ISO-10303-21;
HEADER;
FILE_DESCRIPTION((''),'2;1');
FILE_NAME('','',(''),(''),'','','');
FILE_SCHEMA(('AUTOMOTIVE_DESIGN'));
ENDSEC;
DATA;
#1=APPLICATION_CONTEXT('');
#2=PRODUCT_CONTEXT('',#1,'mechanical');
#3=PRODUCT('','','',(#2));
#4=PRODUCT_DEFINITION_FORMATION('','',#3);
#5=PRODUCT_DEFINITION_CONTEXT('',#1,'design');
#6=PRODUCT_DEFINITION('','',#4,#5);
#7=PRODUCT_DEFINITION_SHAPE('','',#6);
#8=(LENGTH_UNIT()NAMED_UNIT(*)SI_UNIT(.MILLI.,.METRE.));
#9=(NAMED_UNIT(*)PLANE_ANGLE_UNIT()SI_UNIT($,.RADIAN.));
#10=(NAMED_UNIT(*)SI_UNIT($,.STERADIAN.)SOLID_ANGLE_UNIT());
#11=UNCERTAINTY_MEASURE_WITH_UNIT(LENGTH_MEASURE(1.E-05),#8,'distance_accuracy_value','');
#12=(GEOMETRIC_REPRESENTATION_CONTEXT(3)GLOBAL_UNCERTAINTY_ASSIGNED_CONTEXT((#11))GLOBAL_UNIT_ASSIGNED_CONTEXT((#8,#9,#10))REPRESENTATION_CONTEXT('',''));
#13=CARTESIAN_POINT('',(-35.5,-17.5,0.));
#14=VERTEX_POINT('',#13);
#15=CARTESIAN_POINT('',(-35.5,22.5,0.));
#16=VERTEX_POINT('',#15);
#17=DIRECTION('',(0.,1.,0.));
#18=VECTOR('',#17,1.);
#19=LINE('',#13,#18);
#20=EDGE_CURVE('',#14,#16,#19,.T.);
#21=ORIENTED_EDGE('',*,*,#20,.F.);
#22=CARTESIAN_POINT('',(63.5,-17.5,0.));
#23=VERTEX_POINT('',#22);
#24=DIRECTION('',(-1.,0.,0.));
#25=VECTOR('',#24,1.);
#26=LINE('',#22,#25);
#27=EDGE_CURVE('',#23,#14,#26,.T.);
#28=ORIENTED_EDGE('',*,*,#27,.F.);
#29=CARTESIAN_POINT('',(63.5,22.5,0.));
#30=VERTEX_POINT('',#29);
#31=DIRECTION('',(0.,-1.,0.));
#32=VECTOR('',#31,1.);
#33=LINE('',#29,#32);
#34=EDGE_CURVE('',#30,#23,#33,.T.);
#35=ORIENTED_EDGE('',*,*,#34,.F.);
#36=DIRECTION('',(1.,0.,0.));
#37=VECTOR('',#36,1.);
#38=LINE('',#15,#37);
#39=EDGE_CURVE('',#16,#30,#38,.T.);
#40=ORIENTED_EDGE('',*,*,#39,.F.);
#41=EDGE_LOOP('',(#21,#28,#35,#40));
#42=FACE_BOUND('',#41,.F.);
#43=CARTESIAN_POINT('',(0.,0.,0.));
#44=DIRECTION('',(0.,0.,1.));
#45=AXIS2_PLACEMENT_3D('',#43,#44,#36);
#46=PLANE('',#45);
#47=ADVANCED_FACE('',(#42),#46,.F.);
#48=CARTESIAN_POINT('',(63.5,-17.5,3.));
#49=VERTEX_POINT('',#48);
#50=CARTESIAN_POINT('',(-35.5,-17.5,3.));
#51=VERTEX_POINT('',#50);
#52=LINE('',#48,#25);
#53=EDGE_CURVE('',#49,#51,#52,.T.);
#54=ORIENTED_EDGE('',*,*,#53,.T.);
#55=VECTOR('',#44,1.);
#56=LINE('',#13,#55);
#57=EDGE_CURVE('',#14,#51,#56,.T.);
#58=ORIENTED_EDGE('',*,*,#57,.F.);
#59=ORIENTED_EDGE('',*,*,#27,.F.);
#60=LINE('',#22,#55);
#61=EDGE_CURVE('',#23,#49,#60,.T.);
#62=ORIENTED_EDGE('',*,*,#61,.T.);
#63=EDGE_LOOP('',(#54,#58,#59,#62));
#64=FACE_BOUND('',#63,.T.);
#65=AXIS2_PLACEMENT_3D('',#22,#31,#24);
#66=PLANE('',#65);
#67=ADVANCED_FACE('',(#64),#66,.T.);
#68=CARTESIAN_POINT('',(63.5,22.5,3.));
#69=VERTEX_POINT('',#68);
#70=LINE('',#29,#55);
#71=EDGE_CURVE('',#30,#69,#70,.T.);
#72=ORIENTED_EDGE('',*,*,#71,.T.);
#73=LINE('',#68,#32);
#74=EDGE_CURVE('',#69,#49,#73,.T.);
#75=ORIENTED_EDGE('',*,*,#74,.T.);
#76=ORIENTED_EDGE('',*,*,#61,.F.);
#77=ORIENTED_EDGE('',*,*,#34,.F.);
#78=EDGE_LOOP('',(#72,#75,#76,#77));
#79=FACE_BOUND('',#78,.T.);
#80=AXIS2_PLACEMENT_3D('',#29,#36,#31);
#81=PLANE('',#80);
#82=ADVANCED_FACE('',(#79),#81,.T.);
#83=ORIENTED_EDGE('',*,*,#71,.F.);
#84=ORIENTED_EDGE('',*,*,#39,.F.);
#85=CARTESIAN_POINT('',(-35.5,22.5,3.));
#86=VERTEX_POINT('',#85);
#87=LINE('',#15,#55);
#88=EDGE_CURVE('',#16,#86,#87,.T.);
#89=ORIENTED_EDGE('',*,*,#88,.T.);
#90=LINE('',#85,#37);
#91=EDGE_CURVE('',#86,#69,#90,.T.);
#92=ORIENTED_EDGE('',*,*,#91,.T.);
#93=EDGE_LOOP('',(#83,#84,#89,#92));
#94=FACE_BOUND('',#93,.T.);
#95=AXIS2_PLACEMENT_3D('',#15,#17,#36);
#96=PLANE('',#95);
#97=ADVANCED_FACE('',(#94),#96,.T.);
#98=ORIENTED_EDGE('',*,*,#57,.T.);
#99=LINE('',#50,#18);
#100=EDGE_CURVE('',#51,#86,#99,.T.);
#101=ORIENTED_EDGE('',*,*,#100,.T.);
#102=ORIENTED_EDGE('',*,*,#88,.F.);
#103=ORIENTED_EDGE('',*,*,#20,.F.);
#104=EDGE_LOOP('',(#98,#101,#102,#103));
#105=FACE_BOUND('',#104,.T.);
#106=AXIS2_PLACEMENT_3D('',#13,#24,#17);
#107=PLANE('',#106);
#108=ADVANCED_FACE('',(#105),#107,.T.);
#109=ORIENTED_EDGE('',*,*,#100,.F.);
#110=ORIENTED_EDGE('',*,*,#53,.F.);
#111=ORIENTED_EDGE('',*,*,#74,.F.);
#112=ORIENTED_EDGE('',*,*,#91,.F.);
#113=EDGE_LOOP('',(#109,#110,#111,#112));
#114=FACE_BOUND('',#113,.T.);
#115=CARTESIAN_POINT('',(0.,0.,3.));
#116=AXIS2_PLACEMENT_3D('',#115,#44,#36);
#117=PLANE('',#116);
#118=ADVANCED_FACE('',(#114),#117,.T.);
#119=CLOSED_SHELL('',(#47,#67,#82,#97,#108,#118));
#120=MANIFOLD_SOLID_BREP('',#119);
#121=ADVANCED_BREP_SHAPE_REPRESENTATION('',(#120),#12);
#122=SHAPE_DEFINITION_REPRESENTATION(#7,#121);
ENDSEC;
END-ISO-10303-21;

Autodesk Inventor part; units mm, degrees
ref_plane "YZ Plane" through (0, 0, 0) normal (1, 0, 0) x (0, 1, 0)
ref_plane "XZ Plane" through (0, 0, 0) normal (0, 1, 0) x (-1, 0, 0)
ref_plane "XY Plane" through (0, 0, 0) normal (0, 0, 1) x (1, 0, 0)
sketch "Sketch1" plane through (0, 0, 0) normal (0, 0, 1) x (1, 0, 0)
  line L0 (-35.5, 22.5) -> (63.5, 22.5)
  line L1 (63.5, 22.5) -> (63.5, -17.5)
  line L2 (63.5, -17.5) -> (-35.5, -17.5)
  line L3 (-35.5, -17.5) -> (-35.5, 22.5)
  point P0 (0, 0)
  dimension "d0" = 99
  dimension "d1" = 40
  dimension "d2" = 17.5
  dimension "d3" = 35.5
extrude "Extrusion1" add sketch "Sketch1" along normal blind 3
properties part number "Team29_PiBoxWall"
